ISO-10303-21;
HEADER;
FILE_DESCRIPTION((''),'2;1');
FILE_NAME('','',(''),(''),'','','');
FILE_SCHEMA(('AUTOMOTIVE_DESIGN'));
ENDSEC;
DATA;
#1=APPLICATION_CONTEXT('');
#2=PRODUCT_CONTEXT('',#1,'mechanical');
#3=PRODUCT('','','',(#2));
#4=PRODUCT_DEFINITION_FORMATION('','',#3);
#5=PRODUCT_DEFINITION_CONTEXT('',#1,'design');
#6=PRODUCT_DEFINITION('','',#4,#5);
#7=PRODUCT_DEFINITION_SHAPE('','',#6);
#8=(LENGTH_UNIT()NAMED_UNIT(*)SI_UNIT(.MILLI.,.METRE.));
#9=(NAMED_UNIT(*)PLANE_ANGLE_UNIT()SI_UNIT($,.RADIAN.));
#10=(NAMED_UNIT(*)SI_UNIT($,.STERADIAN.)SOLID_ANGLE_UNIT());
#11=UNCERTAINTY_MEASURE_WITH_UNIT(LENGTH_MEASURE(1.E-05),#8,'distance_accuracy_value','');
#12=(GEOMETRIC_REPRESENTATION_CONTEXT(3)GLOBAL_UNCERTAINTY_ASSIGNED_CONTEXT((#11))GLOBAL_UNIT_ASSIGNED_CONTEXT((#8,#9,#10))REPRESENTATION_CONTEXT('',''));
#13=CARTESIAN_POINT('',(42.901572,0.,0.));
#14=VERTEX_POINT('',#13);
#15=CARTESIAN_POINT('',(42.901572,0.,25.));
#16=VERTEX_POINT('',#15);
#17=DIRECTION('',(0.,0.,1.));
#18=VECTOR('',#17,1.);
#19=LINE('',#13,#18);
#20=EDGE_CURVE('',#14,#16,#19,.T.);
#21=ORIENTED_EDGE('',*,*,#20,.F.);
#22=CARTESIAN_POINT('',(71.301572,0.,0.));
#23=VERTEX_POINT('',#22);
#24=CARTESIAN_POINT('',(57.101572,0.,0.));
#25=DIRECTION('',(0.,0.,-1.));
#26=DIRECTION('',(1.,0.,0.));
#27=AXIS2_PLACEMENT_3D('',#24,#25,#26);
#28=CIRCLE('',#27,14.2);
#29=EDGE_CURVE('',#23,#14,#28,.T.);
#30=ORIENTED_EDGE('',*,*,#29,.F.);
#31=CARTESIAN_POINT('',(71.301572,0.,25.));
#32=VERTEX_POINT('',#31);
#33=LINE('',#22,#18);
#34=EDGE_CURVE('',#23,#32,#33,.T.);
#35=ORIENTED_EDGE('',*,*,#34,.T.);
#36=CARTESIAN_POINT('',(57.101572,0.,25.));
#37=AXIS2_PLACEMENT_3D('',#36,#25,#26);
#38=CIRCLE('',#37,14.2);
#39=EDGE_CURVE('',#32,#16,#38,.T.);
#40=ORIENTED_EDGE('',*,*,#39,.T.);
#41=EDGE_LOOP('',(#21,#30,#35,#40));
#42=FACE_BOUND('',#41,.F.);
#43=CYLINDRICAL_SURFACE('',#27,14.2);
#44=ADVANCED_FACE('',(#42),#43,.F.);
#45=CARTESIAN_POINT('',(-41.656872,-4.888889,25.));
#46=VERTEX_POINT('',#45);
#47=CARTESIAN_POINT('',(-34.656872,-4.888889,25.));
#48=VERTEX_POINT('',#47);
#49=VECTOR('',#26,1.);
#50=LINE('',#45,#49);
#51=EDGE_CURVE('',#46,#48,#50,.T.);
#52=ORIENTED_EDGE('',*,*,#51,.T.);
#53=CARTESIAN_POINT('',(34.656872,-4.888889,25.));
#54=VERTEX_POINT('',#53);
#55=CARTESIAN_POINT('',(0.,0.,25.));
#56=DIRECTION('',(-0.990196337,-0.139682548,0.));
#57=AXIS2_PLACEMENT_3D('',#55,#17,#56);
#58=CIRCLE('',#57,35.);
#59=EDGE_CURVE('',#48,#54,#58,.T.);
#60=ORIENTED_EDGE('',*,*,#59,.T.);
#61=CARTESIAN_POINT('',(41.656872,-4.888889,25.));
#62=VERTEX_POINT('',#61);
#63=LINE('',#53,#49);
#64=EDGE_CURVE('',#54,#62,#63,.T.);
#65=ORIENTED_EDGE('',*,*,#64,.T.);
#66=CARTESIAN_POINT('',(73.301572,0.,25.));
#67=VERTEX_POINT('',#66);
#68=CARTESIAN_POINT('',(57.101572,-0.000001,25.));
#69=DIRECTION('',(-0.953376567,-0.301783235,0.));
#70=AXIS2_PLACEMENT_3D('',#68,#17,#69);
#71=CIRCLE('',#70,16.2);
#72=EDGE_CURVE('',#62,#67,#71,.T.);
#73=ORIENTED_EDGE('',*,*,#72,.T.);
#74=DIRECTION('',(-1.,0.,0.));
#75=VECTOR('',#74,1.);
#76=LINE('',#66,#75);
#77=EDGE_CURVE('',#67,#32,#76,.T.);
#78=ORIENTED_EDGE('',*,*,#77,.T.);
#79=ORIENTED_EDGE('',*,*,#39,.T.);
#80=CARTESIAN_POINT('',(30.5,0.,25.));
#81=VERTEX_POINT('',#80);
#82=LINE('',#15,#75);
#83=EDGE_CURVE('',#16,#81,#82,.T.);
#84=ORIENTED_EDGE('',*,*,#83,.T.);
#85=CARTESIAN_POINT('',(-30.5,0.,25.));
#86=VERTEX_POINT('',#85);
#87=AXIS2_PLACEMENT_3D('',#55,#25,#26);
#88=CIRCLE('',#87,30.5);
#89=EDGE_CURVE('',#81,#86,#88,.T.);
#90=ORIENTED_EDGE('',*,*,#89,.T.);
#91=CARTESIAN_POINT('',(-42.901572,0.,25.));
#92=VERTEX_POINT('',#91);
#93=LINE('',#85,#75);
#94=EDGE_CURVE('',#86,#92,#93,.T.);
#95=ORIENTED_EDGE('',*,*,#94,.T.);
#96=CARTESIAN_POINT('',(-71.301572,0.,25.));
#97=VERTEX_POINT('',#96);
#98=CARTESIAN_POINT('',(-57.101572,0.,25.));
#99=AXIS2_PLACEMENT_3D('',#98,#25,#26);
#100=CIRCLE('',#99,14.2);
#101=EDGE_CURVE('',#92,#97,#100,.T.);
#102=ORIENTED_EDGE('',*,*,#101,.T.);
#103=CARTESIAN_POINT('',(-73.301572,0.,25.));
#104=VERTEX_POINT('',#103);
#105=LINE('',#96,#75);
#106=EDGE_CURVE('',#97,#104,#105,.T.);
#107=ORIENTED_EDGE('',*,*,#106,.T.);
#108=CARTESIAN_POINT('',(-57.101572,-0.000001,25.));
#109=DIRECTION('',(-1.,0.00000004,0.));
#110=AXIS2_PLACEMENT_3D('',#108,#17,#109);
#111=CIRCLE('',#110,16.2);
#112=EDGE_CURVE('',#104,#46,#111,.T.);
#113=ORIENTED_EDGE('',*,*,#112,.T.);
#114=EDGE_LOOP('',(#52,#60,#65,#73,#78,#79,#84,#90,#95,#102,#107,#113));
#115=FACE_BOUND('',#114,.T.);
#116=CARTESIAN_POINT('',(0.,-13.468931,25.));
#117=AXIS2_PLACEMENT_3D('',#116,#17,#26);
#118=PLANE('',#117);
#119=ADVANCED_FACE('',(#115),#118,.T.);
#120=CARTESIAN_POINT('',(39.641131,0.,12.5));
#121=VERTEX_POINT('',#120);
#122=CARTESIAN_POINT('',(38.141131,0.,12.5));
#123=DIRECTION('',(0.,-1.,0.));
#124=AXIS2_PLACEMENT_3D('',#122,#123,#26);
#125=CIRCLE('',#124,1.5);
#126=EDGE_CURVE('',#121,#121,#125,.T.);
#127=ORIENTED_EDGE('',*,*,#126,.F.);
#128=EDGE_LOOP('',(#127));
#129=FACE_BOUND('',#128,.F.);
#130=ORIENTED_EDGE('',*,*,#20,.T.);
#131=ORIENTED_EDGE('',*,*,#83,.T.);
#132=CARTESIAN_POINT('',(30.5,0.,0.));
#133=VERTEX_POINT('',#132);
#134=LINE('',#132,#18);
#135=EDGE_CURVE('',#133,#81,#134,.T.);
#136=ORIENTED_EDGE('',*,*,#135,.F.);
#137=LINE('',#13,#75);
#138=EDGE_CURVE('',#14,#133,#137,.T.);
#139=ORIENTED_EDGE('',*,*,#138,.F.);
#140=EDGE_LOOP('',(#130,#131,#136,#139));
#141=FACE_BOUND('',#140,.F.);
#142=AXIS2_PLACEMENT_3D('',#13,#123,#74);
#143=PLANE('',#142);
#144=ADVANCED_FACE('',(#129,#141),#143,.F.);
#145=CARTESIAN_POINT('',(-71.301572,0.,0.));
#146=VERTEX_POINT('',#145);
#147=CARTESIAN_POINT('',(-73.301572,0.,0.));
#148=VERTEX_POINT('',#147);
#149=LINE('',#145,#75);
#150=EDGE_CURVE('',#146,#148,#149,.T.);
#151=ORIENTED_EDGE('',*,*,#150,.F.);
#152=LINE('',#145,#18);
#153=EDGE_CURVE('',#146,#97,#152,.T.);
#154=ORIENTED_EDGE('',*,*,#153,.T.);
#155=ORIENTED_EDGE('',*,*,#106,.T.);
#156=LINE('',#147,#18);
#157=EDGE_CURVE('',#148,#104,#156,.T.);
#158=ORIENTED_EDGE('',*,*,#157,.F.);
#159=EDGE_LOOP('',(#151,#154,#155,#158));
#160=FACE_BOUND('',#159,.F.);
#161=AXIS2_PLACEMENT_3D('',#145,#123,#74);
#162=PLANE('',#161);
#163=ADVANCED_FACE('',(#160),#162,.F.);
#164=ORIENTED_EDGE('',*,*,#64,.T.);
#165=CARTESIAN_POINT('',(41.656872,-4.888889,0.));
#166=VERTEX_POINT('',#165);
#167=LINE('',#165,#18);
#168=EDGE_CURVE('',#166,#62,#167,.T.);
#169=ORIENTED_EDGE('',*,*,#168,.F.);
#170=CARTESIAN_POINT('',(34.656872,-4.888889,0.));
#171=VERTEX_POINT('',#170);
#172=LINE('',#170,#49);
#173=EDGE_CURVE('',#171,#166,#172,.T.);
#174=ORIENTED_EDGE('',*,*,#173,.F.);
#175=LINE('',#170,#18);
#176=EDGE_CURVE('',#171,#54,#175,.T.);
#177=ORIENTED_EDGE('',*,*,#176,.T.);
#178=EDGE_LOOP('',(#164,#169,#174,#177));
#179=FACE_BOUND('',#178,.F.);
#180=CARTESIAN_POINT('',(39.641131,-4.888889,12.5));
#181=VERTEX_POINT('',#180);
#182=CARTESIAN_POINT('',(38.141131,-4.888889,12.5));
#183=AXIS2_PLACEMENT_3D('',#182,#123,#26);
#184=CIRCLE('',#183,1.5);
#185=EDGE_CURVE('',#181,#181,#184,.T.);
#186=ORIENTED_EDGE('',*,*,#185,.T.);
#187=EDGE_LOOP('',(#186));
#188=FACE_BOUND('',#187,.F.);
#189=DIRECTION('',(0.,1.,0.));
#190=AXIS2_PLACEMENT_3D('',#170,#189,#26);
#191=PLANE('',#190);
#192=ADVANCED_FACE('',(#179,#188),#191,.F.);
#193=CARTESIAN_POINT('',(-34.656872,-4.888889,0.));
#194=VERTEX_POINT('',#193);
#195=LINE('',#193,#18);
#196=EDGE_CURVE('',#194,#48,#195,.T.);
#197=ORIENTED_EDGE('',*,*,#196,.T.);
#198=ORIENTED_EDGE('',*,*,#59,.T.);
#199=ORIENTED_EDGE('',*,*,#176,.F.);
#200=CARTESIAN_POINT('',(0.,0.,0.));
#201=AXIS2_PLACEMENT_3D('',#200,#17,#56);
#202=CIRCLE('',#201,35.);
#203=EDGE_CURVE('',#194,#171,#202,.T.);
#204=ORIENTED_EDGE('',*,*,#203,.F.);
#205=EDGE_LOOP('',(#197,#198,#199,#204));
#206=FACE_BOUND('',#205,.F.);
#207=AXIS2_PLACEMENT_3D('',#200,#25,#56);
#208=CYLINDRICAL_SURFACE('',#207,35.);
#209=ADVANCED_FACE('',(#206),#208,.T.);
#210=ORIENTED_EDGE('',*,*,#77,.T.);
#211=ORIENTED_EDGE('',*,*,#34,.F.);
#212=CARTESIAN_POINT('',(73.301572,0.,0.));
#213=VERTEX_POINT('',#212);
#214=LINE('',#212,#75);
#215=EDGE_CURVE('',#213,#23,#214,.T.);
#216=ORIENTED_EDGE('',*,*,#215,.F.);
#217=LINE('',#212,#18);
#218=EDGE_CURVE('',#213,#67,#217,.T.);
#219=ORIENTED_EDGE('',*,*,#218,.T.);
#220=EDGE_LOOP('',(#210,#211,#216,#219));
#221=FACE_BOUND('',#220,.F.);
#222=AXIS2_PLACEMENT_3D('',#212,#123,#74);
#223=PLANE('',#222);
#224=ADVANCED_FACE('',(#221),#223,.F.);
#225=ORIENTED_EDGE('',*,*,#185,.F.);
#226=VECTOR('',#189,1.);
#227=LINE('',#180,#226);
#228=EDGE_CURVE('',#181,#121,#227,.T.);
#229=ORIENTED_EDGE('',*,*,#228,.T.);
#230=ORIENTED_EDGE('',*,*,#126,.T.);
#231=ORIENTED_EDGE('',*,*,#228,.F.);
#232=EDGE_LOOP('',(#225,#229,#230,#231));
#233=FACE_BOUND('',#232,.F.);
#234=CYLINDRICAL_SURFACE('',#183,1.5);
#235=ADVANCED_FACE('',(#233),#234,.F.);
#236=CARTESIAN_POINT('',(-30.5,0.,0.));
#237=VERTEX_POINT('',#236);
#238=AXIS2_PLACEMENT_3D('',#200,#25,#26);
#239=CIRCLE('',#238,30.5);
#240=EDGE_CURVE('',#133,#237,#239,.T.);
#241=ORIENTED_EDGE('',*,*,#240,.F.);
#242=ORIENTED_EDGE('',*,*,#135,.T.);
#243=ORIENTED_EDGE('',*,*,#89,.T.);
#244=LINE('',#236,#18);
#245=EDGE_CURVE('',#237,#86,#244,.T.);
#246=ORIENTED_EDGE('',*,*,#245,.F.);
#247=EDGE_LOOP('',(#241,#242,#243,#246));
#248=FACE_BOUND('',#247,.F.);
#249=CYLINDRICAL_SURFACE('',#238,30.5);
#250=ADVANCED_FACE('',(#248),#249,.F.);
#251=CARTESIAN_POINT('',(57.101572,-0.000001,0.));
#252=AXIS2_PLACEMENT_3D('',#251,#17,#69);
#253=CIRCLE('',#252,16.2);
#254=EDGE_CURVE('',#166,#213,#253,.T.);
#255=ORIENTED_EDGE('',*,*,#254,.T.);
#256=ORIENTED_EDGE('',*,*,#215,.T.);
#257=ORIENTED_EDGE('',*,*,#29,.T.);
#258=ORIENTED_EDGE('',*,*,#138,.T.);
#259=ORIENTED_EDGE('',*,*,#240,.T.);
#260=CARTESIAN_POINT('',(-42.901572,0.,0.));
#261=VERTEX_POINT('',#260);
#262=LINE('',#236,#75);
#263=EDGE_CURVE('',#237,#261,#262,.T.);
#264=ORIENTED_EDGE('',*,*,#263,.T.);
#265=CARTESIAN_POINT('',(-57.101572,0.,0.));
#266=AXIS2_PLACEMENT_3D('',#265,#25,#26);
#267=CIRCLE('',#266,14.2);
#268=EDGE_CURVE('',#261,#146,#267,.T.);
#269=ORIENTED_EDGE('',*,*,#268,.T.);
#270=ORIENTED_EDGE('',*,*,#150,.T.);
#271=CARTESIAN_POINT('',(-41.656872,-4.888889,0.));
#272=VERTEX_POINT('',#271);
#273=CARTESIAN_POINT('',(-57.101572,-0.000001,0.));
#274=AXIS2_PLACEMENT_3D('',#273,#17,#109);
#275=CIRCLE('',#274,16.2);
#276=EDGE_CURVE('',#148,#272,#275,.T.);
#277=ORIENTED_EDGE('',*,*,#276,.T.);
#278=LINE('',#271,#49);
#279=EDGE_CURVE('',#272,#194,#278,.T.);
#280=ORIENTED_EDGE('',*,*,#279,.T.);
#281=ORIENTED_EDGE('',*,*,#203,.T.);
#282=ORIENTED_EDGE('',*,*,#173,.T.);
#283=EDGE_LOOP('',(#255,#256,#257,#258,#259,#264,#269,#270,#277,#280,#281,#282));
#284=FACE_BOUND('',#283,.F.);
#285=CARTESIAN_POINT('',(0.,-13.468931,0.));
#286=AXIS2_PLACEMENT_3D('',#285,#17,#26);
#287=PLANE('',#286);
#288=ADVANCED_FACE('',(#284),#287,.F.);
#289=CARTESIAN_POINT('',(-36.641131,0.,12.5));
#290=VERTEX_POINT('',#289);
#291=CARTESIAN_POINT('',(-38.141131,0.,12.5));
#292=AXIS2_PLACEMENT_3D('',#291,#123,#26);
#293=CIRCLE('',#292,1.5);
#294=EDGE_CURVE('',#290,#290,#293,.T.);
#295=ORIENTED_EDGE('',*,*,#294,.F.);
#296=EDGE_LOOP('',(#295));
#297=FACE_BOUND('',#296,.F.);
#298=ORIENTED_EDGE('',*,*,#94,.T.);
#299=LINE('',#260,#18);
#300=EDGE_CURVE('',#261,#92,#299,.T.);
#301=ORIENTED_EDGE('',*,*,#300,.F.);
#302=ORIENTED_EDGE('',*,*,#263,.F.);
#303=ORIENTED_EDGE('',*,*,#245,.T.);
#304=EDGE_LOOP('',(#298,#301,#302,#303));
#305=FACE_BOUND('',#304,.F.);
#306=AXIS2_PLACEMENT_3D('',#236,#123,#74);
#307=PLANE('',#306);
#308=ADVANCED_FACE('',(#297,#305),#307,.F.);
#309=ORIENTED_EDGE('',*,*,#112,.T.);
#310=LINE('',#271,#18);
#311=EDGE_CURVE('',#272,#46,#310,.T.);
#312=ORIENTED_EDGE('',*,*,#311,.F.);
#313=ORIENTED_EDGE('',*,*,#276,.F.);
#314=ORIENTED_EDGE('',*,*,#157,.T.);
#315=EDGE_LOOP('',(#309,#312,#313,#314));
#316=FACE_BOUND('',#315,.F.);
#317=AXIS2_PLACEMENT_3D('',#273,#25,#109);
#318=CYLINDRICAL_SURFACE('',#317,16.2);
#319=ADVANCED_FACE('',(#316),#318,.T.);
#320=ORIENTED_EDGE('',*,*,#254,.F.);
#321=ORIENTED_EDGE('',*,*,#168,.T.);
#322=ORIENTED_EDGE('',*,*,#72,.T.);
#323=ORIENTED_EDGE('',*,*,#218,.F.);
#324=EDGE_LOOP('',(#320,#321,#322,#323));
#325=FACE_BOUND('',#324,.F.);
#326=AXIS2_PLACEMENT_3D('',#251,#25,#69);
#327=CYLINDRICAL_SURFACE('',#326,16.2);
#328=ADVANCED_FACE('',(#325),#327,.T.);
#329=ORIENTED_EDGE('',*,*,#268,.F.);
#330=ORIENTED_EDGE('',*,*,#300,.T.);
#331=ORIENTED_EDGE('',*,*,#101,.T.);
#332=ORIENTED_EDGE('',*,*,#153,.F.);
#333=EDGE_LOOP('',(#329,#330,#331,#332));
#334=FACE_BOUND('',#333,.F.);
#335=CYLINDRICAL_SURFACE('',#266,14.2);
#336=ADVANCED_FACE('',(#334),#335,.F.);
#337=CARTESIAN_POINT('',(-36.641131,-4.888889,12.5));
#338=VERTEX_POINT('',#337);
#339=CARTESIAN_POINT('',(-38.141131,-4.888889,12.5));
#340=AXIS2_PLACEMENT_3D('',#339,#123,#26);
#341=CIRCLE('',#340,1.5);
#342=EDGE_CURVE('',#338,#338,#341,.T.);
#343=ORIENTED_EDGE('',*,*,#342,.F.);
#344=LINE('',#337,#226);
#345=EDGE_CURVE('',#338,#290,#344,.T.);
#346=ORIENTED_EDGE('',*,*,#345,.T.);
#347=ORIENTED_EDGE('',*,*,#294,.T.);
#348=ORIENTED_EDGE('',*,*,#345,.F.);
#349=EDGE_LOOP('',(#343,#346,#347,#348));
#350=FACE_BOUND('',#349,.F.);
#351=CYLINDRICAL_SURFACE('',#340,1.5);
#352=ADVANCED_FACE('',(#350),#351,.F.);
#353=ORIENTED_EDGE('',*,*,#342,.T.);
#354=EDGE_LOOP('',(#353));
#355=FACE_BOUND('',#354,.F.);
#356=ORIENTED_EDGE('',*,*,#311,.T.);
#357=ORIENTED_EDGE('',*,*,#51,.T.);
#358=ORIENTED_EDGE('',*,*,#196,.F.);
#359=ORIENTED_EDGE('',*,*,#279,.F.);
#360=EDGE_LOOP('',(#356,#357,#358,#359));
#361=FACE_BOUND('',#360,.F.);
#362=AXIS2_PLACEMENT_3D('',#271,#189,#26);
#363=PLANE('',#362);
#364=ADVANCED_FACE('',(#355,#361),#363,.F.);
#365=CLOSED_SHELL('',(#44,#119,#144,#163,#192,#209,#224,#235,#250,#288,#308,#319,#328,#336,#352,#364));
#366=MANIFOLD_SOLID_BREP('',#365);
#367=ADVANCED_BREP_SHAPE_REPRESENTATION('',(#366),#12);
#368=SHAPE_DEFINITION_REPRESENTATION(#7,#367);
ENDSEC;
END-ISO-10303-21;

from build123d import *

# Parameters (mm, degrees)
F1_DEPTH = 25
F2_R     = 1.5
F3_DEPTH = 25


with BuildPart() as f1:
    # F0 (on Top) → F1 (new body)
    with BuildSketch(Plane.XY):
        with BuildLine():
            ThreePointArc((30.5, 0), (0, -30.5), (-30.5, 0))
            Line((-30.5, 0), (-35, 0))
            Line((-35, 0), (-42.80878, 0))
            Line((-42.80878, 0), (-42.901572, 0))
            ThreePointArc((-42.901572, 0), (-57.101572, -14.2), (-71.301572, 0))
            Line((-71.301572, 0), (-73.301572, 0))
            ThreePointArc((-73.301572, 0), (-59.575017, -16.010062), (-41.656872, -4.888889))
            Line((-41.656872, -4.888889), (-34.656872, -4.888889))
            ThreePointArc((-34.656872, -4.888889), (0, -35), (34.656872, -4.888889))
            Line((34.656872, -4.888889), (41.656872, -4.888889))
            ThreePointArc((41.656872, -4.888889), (59.575017, -16.010062), (73.301572, 0))
            Line((73.301572, 0), (71.301572, 0))
            ThreePointArc((71.301572, 0), (57.101572, -14.2), (42.901572, 0))
            Line((42.901572, 0), (40.901572, 0))
            Line((40.901572, 0), (35, 0))
            Line((35, 0), (30.5, 0))
        make_face()
    extrude(amount=F1_DEPTH)

    # F2 (on face) → F3 (cut)
    with BuildSketch(Plane.XZ.offset(4.888889)):
        with Locations((38.141131, 12.5)):
            Circle(F2_R)
        with Locations((-38.141131, 12.5)):
            Circle(F2_R)
    extrude(amount=-F3_DEPTH, mode=Mode.SUBTRACT)


solid = f1.part
